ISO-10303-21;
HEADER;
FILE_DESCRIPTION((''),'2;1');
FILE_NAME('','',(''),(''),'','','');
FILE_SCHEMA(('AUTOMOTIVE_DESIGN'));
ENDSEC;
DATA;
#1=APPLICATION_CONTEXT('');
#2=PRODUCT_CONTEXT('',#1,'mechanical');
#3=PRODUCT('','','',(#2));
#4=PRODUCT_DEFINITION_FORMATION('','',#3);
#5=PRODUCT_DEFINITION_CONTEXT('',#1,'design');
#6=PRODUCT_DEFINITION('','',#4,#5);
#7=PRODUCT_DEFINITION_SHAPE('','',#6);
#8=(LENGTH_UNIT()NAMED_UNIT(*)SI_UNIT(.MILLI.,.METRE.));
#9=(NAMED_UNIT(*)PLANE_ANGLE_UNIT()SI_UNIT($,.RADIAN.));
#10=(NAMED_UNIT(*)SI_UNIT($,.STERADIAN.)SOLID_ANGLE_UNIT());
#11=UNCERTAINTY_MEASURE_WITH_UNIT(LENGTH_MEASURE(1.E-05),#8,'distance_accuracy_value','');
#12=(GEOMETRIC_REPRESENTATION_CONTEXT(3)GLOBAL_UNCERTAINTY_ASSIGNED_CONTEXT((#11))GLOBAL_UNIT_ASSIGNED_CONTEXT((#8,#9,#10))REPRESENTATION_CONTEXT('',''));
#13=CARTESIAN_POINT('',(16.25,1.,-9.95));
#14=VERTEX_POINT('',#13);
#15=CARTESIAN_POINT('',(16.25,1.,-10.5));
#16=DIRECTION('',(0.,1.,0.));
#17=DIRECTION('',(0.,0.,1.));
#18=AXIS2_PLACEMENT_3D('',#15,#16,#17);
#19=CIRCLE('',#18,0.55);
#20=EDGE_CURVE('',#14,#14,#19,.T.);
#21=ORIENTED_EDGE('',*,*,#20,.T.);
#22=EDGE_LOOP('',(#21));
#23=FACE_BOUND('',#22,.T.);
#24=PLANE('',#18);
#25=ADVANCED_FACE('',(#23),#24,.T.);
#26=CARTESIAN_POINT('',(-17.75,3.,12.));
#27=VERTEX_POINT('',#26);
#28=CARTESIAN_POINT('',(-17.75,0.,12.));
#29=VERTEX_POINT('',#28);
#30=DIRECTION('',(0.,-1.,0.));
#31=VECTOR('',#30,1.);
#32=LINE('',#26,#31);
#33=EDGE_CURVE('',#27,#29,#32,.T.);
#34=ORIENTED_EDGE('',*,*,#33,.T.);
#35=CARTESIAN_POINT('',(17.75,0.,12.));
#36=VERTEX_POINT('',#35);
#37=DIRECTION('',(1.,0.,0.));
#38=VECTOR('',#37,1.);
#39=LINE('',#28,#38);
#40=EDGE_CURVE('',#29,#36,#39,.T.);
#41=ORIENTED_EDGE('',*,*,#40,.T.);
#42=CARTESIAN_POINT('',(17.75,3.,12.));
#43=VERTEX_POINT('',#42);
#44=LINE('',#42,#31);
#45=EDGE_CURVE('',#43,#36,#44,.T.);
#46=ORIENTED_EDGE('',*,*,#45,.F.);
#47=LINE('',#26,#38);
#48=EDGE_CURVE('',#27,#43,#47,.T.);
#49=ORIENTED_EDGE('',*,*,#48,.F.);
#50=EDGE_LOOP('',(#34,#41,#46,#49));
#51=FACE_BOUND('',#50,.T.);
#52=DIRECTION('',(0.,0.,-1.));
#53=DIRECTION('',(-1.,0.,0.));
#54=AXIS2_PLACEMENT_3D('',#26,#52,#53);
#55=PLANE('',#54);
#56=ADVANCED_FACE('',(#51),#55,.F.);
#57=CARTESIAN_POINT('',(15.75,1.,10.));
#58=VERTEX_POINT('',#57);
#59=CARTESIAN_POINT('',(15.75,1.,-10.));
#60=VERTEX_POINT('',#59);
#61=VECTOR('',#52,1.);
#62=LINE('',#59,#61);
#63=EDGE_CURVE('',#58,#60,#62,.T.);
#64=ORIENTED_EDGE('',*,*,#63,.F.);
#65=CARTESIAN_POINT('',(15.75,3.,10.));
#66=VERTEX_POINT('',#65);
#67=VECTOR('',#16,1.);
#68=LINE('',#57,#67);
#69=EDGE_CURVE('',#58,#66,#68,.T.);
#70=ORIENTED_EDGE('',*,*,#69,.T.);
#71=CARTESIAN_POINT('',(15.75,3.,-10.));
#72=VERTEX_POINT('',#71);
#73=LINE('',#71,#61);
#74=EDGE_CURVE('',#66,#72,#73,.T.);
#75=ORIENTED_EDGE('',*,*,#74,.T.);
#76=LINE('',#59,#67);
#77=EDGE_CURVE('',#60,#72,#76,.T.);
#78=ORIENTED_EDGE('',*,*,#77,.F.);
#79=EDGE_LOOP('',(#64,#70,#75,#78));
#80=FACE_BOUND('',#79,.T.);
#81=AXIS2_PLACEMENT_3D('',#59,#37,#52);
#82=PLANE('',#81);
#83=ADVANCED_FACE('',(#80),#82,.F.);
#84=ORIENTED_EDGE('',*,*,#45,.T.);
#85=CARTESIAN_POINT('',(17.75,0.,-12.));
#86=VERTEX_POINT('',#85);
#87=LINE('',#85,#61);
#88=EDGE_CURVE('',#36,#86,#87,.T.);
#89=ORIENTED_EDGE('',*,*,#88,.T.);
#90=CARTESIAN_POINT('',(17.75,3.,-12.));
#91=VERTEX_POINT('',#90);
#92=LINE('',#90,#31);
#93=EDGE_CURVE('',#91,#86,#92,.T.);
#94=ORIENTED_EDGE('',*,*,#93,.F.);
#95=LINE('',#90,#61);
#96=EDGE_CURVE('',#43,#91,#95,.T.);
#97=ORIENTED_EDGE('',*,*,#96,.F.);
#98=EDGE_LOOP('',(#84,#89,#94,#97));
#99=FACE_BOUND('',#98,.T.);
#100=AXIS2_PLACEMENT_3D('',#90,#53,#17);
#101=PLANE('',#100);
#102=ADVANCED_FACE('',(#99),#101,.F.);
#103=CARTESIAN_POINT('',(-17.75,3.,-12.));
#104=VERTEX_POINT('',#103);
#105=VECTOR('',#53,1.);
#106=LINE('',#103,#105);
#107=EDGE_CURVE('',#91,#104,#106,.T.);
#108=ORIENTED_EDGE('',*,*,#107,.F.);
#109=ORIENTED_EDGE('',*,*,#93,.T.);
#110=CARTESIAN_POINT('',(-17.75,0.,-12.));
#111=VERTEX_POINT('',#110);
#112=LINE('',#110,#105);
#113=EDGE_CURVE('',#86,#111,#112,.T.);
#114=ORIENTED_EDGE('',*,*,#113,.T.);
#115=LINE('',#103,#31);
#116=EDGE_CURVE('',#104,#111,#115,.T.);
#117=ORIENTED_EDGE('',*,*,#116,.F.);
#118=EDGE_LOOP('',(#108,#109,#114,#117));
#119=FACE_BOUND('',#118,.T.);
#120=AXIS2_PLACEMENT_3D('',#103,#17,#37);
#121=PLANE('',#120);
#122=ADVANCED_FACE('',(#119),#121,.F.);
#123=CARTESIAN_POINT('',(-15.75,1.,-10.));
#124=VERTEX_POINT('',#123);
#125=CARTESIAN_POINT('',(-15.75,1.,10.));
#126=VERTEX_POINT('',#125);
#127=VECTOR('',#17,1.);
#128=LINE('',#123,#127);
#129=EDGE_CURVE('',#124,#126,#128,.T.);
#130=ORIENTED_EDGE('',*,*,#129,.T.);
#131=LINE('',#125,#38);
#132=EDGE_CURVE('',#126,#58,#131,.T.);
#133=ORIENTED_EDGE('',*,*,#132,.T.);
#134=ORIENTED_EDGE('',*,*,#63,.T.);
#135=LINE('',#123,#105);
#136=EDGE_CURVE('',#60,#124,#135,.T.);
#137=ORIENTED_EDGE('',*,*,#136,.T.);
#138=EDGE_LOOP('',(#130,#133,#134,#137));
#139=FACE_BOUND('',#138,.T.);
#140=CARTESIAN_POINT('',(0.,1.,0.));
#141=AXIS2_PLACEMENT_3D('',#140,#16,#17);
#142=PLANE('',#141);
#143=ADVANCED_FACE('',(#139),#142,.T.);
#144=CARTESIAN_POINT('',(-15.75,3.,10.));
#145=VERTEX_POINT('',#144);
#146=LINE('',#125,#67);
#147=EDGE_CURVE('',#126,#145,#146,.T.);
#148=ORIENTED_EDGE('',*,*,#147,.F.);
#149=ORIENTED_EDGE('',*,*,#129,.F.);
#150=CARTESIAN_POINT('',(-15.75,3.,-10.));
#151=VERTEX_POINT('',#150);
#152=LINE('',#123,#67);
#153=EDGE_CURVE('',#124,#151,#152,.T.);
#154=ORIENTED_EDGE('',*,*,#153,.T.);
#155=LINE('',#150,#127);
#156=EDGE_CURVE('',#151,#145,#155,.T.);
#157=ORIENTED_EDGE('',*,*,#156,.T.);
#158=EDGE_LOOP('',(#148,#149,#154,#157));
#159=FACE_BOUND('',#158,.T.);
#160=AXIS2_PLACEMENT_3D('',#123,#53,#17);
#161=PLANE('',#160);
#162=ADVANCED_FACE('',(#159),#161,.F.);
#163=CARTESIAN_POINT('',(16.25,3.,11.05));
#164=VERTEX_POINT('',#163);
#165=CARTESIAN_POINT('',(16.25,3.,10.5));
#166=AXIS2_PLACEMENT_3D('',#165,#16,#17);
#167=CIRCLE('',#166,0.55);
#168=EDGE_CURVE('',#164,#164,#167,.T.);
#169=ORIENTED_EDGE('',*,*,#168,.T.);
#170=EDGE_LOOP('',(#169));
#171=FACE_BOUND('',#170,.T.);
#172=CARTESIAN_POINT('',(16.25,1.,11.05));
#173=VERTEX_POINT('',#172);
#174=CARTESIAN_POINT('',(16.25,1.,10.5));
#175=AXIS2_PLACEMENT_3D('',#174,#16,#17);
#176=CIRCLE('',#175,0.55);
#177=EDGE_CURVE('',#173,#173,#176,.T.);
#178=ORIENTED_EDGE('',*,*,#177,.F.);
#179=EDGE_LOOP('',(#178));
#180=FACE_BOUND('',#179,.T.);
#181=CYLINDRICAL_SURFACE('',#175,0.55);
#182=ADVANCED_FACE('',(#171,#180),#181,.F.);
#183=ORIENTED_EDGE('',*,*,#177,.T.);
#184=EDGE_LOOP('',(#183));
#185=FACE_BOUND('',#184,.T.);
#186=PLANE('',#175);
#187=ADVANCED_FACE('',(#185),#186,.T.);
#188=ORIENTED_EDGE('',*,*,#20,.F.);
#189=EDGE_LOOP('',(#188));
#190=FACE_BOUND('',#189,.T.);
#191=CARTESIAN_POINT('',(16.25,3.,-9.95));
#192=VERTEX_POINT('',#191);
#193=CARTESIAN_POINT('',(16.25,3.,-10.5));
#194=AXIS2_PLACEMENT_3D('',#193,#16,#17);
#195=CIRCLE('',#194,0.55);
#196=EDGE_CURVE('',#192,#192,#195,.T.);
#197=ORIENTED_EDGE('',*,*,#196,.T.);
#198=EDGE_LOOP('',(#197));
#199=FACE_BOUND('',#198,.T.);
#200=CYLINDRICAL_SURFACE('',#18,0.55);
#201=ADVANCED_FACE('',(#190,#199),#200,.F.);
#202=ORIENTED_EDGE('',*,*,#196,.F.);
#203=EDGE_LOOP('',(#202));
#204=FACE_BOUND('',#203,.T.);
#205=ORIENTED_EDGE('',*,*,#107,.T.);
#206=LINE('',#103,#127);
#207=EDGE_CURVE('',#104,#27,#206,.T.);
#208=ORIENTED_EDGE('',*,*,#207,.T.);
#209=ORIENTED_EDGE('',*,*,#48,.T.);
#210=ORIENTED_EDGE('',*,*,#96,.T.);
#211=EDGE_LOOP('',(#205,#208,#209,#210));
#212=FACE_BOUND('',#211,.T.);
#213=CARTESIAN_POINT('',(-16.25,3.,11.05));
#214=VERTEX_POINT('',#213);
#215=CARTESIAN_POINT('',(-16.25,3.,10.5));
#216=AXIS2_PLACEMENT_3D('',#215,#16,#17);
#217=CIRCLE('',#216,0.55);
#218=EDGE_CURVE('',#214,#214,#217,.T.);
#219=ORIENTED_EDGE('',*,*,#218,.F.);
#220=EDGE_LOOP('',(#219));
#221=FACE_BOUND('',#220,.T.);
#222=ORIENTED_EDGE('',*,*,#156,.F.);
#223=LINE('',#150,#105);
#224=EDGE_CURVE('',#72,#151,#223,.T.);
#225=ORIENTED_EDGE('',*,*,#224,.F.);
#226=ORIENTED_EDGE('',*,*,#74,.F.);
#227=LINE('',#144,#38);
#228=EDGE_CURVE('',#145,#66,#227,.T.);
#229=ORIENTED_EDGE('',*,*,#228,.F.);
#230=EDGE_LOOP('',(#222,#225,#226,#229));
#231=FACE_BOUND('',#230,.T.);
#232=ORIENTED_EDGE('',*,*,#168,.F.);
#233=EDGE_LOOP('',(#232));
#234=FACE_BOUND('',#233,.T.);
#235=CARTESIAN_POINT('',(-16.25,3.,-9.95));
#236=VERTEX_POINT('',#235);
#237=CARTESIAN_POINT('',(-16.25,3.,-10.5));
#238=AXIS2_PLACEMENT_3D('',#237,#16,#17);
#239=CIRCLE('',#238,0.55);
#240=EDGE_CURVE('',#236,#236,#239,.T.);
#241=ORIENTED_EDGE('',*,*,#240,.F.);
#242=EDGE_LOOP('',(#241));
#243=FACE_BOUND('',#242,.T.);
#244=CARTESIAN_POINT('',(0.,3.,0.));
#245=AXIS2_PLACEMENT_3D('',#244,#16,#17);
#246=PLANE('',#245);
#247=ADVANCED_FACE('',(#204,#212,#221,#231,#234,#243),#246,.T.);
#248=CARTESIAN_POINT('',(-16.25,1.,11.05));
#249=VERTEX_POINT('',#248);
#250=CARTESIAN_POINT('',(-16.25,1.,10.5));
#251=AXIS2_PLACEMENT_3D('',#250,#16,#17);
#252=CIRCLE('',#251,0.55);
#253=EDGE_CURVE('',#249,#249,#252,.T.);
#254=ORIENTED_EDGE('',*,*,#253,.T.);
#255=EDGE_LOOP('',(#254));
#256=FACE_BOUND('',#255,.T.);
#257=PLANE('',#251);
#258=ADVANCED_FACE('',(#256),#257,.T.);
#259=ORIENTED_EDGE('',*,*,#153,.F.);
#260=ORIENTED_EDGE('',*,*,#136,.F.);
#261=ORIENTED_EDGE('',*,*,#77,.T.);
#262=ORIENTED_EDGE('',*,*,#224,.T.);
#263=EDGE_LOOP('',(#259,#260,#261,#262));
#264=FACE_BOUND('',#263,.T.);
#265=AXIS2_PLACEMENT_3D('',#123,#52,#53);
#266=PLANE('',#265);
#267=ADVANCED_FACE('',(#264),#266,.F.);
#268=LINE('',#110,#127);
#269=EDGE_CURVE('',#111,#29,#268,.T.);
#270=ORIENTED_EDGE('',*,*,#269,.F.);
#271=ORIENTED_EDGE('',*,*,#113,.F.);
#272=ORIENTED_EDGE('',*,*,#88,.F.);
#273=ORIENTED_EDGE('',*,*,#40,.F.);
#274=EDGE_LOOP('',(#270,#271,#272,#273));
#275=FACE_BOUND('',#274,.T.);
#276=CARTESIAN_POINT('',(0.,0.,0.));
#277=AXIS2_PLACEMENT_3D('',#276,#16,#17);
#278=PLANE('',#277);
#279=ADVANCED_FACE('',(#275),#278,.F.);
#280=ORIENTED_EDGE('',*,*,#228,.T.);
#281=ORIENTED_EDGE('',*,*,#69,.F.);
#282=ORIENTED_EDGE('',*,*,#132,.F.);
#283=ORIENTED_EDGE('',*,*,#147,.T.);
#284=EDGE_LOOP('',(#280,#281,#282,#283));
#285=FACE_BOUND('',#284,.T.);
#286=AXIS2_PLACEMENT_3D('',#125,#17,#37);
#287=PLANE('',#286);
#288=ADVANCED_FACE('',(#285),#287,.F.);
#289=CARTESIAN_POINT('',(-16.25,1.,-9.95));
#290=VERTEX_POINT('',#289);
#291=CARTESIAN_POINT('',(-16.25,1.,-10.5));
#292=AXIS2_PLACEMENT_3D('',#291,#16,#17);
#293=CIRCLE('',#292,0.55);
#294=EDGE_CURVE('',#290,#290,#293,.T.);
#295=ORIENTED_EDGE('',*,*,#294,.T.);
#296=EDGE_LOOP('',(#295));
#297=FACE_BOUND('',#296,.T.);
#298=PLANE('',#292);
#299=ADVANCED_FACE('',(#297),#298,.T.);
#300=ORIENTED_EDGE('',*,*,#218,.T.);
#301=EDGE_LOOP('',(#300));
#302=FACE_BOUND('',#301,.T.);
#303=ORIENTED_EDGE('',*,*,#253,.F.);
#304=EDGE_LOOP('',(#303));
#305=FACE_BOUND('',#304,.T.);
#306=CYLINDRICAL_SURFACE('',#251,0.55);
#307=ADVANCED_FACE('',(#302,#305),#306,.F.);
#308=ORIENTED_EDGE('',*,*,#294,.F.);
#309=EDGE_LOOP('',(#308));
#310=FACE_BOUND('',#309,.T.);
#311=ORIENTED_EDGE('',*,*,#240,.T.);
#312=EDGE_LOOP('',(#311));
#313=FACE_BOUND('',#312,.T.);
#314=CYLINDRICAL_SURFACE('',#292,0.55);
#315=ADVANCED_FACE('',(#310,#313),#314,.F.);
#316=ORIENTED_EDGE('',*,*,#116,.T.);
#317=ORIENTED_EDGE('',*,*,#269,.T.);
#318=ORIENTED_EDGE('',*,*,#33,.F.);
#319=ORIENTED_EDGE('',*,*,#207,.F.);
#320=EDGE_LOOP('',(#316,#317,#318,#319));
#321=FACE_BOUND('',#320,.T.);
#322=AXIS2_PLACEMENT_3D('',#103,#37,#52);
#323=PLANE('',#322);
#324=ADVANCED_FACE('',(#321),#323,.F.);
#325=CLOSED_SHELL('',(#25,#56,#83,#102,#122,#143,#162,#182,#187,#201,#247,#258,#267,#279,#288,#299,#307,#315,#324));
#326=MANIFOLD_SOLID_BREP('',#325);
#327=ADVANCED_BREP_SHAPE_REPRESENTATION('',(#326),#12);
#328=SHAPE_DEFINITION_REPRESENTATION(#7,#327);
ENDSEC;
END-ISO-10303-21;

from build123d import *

# Parameters (mm, degrees)
SKETCH_1_W          = 35.5
SKETCH_1_H          = 24
EXTRUDE_1_DEPTH     = 3
SKETCH_2_W          = 31.5
SKETCH_2_H          = 20
CUT_EXTRUDE_1_DEPTH = 2
SKETCH_3_R          = 0.55
CUT_EXTRUDE_2_DEPTH = 2


with BuildPart() as part:
    # 草图1 → 凸台-拉伸1 (new body)
    with BuildSketch(Plane(origin=(0, 0, 0), x_dir=(1, 0, 0), z_dir=(0, 1, 0))):
        Rectangle(SKETCH_1_W, SKETCH_1_H)
    extrude(amount=EXTRUDE_1_DEPTH)

    # 草图2 → 切除-拉伸1 (cut)
    with BuildSketch(Plane(origin=(0, 3, 0), x_dir=(1, 0, 0), z_dir=(0, 1, 0))):
        Rectangle(SKETCH_2_W, SKETCH_2_H)
    extrude(amount=-CUT_EXTRUDE_1_DEPTH, mode=Mode.SUBTRACT)

    # 草图3 → 切除-拉伸2 (cut)
    with BuildSketch(Plane(origin=(0, 3, 0), x_dir=(1, 0, 0), z_dir=(0, 1, 0))):
        with Locations(Location((-16.25, 10.5, 0), (0, 0, 270))):
            Circle(SKETCH_3_R)
        with Locations(Location((-16.25, -10.5, 0), (0, 0, 270))):
            Circle(SKETCH_3_R)
        with Locations(Location((16.25, -10.5, 0), (0, 0, 270))):
            Circle(SKETCH_3_R)
        with Locations(Location((16.25, 10.5, 0), (0, 0, 270))):
            Circle(SKETCH_3_R)
    extrude(amount=-CUT_EXTRUDE_2_DEPTH, mode=Mode.SUBTRACT)


solid = part.part
